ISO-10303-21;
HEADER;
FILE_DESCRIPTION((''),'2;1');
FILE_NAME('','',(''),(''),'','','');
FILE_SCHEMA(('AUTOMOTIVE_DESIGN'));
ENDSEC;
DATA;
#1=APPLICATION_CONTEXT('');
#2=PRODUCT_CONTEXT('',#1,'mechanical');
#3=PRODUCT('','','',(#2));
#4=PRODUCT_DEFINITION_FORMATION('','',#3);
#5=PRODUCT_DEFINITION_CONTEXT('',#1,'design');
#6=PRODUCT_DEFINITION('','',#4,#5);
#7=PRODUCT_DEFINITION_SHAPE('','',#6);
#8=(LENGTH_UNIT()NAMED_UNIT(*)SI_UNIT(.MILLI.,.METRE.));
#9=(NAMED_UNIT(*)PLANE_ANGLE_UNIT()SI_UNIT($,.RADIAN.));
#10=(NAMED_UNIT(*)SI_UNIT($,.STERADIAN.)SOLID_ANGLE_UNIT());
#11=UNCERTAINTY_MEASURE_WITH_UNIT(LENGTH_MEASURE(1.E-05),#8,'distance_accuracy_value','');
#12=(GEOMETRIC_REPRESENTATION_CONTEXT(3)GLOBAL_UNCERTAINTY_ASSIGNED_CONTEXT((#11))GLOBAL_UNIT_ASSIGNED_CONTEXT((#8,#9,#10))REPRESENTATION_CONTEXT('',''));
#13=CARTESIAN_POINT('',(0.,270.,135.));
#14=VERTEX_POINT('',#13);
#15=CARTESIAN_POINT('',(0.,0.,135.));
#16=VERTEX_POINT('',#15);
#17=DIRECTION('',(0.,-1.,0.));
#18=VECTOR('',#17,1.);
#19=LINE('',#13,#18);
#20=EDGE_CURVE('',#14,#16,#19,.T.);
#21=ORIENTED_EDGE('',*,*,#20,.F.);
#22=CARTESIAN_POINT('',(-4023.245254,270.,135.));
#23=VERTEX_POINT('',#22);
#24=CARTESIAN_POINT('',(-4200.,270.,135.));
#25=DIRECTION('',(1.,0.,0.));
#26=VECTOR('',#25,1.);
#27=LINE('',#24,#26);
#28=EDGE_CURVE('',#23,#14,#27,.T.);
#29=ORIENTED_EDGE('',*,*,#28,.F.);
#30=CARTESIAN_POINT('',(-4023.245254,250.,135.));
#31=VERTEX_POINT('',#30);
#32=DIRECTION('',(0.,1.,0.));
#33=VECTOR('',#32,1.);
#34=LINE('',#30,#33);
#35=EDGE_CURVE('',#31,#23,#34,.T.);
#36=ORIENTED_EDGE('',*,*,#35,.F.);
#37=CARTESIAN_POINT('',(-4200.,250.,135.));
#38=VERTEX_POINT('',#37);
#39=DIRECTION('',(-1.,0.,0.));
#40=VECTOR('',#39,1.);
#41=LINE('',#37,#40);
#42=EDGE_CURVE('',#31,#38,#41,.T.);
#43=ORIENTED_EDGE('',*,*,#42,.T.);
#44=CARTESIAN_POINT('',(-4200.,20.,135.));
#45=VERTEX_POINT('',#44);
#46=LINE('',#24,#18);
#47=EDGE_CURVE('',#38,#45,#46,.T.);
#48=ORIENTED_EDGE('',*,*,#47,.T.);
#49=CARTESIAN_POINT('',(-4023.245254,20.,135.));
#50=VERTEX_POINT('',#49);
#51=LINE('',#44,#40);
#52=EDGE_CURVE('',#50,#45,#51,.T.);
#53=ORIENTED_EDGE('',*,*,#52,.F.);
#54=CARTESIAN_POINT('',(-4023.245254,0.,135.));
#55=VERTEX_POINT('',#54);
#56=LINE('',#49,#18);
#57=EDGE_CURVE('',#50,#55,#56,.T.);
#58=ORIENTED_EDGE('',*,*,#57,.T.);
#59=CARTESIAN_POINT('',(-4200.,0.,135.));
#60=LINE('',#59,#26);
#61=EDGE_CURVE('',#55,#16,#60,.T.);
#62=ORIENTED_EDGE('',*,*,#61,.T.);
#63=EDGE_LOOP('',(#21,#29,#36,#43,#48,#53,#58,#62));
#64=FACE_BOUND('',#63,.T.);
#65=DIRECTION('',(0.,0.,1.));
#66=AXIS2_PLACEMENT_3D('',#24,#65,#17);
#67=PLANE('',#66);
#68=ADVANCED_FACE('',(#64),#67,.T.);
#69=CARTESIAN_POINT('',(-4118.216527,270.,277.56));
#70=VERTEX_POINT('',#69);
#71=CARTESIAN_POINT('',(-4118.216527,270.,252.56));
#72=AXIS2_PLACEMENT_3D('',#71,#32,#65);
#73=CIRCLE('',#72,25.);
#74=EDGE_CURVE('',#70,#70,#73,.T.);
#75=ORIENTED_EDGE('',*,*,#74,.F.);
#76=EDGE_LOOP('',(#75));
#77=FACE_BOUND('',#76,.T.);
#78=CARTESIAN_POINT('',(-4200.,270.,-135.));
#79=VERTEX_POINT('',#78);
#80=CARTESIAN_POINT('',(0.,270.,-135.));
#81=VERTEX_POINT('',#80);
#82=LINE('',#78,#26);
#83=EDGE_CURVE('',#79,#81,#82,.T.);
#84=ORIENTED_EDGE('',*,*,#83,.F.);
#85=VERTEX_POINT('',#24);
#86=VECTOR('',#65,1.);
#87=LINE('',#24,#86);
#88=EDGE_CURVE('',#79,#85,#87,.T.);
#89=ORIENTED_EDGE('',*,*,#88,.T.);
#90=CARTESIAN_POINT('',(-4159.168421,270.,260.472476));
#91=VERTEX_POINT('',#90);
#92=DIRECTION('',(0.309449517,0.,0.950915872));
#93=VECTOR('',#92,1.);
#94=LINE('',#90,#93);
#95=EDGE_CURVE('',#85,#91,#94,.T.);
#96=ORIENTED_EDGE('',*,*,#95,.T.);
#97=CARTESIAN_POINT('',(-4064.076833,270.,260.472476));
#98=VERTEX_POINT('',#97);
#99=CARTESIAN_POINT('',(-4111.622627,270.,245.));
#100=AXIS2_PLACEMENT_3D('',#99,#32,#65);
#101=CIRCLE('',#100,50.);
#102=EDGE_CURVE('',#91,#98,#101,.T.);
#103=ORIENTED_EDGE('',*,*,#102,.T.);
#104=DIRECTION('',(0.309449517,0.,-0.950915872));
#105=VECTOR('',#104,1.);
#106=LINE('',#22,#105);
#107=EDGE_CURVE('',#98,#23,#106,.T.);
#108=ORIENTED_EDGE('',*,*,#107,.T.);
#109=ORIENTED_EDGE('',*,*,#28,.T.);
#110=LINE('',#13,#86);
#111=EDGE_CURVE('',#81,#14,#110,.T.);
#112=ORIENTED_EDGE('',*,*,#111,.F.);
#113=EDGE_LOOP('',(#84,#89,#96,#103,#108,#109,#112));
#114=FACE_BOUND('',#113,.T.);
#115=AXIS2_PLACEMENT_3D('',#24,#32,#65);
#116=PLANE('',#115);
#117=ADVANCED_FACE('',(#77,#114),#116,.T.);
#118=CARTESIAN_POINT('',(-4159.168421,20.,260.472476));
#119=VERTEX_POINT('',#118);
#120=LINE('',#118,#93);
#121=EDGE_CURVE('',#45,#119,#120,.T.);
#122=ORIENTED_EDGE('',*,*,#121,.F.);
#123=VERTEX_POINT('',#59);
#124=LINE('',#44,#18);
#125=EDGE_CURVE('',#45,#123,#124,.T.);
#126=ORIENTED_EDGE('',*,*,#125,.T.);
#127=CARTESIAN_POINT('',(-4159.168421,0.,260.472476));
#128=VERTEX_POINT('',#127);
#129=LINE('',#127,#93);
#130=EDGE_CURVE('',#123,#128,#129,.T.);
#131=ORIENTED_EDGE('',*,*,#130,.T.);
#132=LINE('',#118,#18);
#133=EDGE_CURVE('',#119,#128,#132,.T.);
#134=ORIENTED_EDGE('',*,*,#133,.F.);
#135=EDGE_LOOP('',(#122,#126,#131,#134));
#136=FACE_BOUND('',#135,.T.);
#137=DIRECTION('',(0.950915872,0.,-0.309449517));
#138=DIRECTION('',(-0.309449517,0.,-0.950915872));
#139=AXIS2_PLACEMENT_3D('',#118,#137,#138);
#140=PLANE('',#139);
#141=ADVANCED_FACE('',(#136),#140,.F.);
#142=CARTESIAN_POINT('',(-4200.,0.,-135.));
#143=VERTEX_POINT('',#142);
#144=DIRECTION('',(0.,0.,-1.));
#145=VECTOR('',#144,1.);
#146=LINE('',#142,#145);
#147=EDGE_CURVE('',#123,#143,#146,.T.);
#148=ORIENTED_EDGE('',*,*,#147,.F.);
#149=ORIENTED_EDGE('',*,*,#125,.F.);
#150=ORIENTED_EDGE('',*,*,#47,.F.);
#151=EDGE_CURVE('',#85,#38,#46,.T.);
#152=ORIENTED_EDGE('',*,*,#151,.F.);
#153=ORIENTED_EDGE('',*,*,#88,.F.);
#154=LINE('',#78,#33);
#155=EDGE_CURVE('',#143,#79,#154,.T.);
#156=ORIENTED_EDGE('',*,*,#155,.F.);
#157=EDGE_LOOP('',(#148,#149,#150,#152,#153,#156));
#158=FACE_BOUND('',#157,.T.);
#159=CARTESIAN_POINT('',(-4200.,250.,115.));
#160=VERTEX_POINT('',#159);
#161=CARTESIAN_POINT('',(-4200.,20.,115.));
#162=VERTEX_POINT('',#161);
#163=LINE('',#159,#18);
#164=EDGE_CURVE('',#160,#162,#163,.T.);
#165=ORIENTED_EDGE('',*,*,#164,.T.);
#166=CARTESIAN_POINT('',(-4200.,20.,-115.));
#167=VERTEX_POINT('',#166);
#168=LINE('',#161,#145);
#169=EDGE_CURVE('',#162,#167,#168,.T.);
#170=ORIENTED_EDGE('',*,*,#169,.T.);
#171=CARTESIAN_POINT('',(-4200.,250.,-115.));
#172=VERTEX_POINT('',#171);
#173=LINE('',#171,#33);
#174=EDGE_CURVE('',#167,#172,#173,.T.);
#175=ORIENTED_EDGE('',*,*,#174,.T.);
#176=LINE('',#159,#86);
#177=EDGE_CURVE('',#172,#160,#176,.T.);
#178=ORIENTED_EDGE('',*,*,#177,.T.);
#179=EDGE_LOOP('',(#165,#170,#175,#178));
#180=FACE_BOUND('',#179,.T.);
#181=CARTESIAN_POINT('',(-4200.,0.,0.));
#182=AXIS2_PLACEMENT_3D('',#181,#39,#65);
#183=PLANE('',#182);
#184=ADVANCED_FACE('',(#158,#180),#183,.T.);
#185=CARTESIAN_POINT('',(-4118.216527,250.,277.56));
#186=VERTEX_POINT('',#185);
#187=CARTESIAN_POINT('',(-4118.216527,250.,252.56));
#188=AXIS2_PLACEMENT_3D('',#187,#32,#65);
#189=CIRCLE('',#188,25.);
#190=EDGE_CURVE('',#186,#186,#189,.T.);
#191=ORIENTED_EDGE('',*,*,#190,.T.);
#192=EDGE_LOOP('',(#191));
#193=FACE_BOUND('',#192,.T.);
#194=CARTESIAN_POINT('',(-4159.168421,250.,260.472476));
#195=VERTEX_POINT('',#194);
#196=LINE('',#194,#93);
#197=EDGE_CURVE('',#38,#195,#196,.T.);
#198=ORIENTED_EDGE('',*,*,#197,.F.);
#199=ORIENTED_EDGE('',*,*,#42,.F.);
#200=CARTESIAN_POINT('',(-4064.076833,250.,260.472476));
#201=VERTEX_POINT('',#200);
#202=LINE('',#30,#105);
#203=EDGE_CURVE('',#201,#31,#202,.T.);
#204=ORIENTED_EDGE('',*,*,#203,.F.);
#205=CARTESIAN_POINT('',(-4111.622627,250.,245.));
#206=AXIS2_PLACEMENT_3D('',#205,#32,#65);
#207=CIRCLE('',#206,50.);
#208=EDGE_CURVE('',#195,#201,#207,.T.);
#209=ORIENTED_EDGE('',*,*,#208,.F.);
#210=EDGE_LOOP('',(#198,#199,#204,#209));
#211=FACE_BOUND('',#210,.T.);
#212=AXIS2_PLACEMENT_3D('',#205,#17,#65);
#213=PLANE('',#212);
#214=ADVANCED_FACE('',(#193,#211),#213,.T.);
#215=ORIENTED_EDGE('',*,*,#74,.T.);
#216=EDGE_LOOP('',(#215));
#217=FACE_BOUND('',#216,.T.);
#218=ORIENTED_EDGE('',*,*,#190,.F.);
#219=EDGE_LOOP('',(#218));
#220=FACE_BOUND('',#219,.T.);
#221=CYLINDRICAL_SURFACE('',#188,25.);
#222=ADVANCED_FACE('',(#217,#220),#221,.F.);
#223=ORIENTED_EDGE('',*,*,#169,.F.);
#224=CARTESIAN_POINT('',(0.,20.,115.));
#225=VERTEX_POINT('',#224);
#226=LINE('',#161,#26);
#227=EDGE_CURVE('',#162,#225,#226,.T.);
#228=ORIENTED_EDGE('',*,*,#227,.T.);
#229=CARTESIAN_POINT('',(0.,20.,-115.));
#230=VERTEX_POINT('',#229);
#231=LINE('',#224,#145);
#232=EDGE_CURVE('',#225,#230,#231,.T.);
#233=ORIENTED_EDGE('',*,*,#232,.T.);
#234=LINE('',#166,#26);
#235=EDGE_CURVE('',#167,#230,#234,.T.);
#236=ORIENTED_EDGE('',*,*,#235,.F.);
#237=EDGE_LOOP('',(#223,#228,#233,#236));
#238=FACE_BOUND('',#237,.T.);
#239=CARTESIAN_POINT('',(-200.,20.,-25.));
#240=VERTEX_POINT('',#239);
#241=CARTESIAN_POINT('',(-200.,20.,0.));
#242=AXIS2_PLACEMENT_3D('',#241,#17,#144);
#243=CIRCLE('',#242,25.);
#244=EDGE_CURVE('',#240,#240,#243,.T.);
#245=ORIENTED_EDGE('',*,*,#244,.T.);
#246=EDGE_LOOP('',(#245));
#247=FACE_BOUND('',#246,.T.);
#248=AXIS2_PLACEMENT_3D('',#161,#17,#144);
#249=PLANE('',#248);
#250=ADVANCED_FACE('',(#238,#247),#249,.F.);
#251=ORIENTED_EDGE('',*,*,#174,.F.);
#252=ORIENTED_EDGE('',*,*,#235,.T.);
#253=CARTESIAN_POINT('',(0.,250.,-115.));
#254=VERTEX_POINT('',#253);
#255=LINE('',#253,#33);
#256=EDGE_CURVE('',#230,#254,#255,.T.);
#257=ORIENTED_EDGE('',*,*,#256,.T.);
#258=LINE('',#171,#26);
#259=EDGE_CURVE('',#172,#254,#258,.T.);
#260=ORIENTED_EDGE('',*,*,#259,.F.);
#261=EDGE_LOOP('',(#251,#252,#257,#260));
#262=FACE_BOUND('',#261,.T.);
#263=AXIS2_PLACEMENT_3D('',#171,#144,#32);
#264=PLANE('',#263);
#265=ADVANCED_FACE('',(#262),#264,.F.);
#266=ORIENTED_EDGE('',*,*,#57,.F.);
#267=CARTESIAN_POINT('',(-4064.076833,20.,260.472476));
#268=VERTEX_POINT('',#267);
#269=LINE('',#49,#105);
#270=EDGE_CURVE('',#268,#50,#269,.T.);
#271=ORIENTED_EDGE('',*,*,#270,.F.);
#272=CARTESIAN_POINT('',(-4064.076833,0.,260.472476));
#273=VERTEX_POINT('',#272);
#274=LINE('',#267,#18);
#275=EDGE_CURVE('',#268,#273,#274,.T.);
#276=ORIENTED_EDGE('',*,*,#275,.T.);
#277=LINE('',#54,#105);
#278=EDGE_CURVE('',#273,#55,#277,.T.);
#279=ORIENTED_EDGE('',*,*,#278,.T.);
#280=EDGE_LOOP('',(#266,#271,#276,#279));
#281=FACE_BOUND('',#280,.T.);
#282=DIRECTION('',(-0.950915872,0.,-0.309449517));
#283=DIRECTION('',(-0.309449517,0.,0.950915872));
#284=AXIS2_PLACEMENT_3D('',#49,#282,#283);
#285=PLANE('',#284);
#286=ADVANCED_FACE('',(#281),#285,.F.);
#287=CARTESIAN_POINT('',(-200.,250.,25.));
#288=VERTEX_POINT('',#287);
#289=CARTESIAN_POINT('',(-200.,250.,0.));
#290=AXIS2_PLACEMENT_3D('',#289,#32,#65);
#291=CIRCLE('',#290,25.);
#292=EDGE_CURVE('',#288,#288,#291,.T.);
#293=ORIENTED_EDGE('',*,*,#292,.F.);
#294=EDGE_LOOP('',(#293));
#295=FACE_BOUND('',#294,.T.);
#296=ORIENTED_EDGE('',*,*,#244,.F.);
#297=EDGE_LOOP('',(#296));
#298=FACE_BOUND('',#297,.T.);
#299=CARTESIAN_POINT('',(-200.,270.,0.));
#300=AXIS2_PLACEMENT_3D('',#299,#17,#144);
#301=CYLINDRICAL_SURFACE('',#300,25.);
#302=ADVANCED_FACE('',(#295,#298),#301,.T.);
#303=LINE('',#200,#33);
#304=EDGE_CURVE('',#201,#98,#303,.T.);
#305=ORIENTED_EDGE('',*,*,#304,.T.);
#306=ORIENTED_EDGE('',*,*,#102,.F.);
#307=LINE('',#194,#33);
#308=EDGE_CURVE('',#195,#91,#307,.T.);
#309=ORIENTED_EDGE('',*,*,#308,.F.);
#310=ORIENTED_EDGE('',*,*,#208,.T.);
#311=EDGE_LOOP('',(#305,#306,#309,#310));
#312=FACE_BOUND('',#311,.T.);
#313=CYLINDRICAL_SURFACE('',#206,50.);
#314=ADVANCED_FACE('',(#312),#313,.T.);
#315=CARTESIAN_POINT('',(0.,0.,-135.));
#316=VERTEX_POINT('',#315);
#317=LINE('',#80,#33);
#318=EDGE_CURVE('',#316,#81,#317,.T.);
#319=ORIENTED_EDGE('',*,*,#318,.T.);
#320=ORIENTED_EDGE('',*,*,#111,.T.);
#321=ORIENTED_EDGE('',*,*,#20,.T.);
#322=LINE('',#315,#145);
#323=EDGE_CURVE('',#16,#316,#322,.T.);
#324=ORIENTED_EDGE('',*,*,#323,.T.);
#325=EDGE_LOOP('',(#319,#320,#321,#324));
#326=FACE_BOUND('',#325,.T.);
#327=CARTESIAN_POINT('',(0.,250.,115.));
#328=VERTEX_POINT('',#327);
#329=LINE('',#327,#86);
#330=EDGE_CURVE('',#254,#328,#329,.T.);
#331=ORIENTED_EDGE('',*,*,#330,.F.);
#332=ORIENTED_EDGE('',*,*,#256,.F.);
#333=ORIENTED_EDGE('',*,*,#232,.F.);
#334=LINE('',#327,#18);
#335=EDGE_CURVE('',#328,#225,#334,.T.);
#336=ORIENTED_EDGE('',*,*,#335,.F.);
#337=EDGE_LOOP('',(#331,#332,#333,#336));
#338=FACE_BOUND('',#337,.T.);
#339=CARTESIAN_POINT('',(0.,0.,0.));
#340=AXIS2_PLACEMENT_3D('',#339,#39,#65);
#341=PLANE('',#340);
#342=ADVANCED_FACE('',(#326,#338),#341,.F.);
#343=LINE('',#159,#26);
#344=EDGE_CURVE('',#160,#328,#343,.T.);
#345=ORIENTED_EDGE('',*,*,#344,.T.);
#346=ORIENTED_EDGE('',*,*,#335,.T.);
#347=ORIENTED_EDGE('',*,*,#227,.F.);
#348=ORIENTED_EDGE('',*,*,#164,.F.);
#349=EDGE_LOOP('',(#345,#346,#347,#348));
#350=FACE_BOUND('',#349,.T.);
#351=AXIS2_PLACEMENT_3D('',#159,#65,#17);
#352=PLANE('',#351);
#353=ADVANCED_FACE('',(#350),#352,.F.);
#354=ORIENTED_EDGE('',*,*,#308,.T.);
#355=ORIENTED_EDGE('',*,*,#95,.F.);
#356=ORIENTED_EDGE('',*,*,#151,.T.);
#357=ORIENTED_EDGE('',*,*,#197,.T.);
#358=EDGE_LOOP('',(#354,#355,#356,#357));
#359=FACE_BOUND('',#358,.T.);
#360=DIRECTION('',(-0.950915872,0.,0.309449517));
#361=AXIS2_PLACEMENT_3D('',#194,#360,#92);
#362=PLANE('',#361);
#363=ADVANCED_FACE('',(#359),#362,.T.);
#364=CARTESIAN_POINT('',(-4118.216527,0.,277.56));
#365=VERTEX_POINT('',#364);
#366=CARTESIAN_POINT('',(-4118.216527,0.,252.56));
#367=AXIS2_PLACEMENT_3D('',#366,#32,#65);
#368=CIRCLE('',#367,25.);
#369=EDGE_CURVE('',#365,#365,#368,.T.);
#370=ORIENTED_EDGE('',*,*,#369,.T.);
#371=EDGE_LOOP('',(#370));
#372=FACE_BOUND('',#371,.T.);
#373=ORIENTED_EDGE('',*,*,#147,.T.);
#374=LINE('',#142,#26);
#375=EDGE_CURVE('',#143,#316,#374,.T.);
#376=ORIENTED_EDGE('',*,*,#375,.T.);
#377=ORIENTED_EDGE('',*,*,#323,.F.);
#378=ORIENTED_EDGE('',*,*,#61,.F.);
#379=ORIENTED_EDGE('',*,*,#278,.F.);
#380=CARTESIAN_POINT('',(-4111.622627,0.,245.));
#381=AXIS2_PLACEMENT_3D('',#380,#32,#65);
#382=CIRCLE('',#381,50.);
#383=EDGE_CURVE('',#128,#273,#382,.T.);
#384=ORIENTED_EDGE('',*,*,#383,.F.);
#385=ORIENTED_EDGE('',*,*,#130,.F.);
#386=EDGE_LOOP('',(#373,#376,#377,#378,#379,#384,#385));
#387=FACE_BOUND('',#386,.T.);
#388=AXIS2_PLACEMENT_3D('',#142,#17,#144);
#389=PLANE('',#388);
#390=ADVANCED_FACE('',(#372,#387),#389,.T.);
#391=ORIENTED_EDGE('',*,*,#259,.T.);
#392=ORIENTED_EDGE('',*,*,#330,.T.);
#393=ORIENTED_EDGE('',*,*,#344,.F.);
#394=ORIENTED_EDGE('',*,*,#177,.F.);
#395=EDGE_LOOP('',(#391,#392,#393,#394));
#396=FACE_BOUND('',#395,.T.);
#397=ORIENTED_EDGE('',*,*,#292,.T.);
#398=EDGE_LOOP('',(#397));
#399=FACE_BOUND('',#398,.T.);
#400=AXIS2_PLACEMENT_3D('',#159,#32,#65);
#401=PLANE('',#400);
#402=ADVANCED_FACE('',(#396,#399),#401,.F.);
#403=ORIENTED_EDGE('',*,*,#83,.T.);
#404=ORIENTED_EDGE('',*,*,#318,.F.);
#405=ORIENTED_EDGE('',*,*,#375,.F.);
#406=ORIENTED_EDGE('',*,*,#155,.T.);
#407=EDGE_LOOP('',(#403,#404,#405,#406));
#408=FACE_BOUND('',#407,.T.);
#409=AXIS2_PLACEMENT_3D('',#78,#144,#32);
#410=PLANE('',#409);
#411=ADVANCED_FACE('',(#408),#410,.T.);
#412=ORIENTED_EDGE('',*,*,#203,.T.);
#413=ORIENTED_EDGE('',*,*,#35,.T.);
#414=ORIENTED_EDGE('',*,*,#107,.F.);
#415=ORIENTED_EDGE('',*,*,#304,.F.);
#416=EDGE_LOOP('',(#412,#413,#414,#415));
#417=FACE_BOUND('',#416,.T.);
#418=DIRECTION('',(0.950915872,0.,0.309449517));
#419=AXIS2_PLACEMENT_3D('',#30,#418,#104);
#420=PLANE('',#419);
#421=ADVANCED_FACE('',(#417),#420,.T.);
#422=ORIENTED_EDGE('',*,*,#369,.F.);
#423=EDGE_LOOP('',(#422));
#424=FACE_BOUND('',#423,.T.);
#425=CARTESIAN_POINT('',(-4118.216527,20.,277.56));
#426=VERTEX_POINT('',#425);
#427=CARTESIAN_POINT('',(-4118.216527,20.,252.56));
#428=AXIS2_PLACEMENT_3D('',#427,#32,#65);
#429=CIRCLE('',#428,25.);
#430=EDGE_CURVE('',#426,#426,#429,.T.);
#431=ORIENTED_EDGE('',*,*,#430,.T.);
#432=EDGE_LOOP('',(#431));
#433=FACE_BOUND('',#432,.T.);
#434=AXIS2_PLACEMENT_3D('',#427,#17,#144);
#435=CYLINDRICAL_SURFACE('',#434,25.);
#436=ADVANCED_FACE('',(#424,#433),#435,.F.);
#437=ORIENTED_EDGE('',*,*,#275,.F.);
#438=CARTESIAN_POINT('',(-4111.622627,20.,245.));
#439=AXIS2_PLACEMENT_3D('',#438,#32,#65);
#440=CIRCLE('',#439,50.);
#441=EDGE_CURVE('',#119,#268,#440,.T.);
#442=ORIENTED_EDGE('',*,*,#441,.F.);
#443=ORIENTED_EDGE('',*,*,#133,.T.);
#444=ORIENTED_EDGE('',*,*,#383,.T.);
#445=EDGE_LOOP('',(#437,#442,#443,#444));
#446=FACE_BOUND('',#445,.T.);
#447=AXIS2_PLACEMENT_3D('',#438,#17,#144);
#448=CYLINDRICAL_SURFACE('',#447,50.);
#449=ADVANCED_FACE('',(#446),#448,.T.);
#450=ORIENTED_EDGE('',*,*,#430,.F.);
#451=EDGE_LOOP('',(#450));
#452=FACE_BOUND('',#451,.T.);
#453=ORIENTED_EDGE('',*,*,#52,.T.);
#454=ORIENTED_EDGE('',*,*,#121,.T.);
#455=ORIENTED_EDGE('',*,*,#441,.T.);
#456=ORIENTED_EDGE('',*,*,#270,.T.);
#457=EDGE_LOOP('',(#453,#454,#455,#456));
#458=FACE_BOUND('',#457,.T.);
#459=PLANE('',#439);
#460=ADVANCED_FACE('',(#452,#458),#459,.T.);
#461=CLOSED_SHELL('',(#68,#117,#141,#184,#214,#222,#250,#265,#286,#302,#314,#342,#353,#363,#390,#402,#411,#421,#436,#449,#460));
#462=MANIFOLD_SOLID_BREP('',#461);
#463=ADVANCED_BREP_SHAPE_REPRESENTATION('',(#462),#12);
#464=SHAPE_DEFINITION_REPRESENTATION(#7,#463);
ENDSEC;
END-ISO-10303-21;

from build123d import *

# Parameters (mm, degrees)
SKETCH1_W           = 270
SKETCH1_H           = 270
SKETCH1_W_2         = 230
SKETCH1_H_2         = 230
BOSS_EXTRUDE1_DEPTH = 4200
BOSS_EXTRUDE2_REACH = 4212.834
SKETCH2_R           = 25
SKETCH3_R           = 25
BOSS_EXTRUDE3_DEPTH = 20


with BuildPart() as part:
    # Sketch1 → Boss-Extrude1 (new body)
    with BuildSketch(Plane(origin=(0, 0, 0), x_dir=(0, 0, -1), z_dir=(1, 0, 0))):
        with Locations((0, 135)):
            Rectangle(SKETCH1_W, SKETCH1_H)
        with Locations((0, 135)):
            Rectangle(SKETCH1_W_2, SKETCH1_H_2, mode=Mode.SUBTRACT)
    extrude(amount=-BOSS_EXTRUDE1_DEPTH)

    # Sketch2 → Boss-Extrude2 (add, up to next)
    with BuildSketch(Plane.XZ, mode=Mode.PRIVATE) as boss_extrude2_sk1:
        with Locations(Location((-200, 0, 0), (0, 0, 270))):
            Circle(SKETCH2_R)
    boss_extrude2_tool1 = extrude(boss_extrude2_sk1.sketch, amount=-BOSS_EXTRUDE2_REACH, mode=Mode.PRIVATE) - part.part
    add(boss_extrude2_tool1.solids().sort_by_distance((-200, 0, 0))[0])

    # Sketch3 → Boss-Extrude3 (add)
    with BuildSketch(Plane(origin=(0, 0, 0), x_dir=(1, 0, 0), z_dir=(0, 1, 0))):
        with BuildLine():
            Line((-4023.2452538, -135), (-4064.076833276, -260.472475841))
            ThreePointArc((-4064.076833276, -260.472475841), (-4111.6226269, -295), (-4159.168420524, -260.472475841))
            Line((-4159.168420524, -260.472475841), (-4200, -135))
            Line((-4200, -135), (-4023.2452538, -135))
        make_face()
        with Locations(Location((-4118.216527145, -252.56, 0), (0, 0, 270))):
            Circle(SKETCH3_R, mode=Mode.SUBTRACT)
    boss_extrude3 = extrude(amount=BOSS_EXTRUDE3_DEPTH)

    # Mirror1: Boss-Extrude3 across plane
    add(boss_extrude3.mirror(Plane(origin=(0, 135, 0), x_dir=(0, 0, 1), z_dir=(0, -1, 0))))


solid = part.part
